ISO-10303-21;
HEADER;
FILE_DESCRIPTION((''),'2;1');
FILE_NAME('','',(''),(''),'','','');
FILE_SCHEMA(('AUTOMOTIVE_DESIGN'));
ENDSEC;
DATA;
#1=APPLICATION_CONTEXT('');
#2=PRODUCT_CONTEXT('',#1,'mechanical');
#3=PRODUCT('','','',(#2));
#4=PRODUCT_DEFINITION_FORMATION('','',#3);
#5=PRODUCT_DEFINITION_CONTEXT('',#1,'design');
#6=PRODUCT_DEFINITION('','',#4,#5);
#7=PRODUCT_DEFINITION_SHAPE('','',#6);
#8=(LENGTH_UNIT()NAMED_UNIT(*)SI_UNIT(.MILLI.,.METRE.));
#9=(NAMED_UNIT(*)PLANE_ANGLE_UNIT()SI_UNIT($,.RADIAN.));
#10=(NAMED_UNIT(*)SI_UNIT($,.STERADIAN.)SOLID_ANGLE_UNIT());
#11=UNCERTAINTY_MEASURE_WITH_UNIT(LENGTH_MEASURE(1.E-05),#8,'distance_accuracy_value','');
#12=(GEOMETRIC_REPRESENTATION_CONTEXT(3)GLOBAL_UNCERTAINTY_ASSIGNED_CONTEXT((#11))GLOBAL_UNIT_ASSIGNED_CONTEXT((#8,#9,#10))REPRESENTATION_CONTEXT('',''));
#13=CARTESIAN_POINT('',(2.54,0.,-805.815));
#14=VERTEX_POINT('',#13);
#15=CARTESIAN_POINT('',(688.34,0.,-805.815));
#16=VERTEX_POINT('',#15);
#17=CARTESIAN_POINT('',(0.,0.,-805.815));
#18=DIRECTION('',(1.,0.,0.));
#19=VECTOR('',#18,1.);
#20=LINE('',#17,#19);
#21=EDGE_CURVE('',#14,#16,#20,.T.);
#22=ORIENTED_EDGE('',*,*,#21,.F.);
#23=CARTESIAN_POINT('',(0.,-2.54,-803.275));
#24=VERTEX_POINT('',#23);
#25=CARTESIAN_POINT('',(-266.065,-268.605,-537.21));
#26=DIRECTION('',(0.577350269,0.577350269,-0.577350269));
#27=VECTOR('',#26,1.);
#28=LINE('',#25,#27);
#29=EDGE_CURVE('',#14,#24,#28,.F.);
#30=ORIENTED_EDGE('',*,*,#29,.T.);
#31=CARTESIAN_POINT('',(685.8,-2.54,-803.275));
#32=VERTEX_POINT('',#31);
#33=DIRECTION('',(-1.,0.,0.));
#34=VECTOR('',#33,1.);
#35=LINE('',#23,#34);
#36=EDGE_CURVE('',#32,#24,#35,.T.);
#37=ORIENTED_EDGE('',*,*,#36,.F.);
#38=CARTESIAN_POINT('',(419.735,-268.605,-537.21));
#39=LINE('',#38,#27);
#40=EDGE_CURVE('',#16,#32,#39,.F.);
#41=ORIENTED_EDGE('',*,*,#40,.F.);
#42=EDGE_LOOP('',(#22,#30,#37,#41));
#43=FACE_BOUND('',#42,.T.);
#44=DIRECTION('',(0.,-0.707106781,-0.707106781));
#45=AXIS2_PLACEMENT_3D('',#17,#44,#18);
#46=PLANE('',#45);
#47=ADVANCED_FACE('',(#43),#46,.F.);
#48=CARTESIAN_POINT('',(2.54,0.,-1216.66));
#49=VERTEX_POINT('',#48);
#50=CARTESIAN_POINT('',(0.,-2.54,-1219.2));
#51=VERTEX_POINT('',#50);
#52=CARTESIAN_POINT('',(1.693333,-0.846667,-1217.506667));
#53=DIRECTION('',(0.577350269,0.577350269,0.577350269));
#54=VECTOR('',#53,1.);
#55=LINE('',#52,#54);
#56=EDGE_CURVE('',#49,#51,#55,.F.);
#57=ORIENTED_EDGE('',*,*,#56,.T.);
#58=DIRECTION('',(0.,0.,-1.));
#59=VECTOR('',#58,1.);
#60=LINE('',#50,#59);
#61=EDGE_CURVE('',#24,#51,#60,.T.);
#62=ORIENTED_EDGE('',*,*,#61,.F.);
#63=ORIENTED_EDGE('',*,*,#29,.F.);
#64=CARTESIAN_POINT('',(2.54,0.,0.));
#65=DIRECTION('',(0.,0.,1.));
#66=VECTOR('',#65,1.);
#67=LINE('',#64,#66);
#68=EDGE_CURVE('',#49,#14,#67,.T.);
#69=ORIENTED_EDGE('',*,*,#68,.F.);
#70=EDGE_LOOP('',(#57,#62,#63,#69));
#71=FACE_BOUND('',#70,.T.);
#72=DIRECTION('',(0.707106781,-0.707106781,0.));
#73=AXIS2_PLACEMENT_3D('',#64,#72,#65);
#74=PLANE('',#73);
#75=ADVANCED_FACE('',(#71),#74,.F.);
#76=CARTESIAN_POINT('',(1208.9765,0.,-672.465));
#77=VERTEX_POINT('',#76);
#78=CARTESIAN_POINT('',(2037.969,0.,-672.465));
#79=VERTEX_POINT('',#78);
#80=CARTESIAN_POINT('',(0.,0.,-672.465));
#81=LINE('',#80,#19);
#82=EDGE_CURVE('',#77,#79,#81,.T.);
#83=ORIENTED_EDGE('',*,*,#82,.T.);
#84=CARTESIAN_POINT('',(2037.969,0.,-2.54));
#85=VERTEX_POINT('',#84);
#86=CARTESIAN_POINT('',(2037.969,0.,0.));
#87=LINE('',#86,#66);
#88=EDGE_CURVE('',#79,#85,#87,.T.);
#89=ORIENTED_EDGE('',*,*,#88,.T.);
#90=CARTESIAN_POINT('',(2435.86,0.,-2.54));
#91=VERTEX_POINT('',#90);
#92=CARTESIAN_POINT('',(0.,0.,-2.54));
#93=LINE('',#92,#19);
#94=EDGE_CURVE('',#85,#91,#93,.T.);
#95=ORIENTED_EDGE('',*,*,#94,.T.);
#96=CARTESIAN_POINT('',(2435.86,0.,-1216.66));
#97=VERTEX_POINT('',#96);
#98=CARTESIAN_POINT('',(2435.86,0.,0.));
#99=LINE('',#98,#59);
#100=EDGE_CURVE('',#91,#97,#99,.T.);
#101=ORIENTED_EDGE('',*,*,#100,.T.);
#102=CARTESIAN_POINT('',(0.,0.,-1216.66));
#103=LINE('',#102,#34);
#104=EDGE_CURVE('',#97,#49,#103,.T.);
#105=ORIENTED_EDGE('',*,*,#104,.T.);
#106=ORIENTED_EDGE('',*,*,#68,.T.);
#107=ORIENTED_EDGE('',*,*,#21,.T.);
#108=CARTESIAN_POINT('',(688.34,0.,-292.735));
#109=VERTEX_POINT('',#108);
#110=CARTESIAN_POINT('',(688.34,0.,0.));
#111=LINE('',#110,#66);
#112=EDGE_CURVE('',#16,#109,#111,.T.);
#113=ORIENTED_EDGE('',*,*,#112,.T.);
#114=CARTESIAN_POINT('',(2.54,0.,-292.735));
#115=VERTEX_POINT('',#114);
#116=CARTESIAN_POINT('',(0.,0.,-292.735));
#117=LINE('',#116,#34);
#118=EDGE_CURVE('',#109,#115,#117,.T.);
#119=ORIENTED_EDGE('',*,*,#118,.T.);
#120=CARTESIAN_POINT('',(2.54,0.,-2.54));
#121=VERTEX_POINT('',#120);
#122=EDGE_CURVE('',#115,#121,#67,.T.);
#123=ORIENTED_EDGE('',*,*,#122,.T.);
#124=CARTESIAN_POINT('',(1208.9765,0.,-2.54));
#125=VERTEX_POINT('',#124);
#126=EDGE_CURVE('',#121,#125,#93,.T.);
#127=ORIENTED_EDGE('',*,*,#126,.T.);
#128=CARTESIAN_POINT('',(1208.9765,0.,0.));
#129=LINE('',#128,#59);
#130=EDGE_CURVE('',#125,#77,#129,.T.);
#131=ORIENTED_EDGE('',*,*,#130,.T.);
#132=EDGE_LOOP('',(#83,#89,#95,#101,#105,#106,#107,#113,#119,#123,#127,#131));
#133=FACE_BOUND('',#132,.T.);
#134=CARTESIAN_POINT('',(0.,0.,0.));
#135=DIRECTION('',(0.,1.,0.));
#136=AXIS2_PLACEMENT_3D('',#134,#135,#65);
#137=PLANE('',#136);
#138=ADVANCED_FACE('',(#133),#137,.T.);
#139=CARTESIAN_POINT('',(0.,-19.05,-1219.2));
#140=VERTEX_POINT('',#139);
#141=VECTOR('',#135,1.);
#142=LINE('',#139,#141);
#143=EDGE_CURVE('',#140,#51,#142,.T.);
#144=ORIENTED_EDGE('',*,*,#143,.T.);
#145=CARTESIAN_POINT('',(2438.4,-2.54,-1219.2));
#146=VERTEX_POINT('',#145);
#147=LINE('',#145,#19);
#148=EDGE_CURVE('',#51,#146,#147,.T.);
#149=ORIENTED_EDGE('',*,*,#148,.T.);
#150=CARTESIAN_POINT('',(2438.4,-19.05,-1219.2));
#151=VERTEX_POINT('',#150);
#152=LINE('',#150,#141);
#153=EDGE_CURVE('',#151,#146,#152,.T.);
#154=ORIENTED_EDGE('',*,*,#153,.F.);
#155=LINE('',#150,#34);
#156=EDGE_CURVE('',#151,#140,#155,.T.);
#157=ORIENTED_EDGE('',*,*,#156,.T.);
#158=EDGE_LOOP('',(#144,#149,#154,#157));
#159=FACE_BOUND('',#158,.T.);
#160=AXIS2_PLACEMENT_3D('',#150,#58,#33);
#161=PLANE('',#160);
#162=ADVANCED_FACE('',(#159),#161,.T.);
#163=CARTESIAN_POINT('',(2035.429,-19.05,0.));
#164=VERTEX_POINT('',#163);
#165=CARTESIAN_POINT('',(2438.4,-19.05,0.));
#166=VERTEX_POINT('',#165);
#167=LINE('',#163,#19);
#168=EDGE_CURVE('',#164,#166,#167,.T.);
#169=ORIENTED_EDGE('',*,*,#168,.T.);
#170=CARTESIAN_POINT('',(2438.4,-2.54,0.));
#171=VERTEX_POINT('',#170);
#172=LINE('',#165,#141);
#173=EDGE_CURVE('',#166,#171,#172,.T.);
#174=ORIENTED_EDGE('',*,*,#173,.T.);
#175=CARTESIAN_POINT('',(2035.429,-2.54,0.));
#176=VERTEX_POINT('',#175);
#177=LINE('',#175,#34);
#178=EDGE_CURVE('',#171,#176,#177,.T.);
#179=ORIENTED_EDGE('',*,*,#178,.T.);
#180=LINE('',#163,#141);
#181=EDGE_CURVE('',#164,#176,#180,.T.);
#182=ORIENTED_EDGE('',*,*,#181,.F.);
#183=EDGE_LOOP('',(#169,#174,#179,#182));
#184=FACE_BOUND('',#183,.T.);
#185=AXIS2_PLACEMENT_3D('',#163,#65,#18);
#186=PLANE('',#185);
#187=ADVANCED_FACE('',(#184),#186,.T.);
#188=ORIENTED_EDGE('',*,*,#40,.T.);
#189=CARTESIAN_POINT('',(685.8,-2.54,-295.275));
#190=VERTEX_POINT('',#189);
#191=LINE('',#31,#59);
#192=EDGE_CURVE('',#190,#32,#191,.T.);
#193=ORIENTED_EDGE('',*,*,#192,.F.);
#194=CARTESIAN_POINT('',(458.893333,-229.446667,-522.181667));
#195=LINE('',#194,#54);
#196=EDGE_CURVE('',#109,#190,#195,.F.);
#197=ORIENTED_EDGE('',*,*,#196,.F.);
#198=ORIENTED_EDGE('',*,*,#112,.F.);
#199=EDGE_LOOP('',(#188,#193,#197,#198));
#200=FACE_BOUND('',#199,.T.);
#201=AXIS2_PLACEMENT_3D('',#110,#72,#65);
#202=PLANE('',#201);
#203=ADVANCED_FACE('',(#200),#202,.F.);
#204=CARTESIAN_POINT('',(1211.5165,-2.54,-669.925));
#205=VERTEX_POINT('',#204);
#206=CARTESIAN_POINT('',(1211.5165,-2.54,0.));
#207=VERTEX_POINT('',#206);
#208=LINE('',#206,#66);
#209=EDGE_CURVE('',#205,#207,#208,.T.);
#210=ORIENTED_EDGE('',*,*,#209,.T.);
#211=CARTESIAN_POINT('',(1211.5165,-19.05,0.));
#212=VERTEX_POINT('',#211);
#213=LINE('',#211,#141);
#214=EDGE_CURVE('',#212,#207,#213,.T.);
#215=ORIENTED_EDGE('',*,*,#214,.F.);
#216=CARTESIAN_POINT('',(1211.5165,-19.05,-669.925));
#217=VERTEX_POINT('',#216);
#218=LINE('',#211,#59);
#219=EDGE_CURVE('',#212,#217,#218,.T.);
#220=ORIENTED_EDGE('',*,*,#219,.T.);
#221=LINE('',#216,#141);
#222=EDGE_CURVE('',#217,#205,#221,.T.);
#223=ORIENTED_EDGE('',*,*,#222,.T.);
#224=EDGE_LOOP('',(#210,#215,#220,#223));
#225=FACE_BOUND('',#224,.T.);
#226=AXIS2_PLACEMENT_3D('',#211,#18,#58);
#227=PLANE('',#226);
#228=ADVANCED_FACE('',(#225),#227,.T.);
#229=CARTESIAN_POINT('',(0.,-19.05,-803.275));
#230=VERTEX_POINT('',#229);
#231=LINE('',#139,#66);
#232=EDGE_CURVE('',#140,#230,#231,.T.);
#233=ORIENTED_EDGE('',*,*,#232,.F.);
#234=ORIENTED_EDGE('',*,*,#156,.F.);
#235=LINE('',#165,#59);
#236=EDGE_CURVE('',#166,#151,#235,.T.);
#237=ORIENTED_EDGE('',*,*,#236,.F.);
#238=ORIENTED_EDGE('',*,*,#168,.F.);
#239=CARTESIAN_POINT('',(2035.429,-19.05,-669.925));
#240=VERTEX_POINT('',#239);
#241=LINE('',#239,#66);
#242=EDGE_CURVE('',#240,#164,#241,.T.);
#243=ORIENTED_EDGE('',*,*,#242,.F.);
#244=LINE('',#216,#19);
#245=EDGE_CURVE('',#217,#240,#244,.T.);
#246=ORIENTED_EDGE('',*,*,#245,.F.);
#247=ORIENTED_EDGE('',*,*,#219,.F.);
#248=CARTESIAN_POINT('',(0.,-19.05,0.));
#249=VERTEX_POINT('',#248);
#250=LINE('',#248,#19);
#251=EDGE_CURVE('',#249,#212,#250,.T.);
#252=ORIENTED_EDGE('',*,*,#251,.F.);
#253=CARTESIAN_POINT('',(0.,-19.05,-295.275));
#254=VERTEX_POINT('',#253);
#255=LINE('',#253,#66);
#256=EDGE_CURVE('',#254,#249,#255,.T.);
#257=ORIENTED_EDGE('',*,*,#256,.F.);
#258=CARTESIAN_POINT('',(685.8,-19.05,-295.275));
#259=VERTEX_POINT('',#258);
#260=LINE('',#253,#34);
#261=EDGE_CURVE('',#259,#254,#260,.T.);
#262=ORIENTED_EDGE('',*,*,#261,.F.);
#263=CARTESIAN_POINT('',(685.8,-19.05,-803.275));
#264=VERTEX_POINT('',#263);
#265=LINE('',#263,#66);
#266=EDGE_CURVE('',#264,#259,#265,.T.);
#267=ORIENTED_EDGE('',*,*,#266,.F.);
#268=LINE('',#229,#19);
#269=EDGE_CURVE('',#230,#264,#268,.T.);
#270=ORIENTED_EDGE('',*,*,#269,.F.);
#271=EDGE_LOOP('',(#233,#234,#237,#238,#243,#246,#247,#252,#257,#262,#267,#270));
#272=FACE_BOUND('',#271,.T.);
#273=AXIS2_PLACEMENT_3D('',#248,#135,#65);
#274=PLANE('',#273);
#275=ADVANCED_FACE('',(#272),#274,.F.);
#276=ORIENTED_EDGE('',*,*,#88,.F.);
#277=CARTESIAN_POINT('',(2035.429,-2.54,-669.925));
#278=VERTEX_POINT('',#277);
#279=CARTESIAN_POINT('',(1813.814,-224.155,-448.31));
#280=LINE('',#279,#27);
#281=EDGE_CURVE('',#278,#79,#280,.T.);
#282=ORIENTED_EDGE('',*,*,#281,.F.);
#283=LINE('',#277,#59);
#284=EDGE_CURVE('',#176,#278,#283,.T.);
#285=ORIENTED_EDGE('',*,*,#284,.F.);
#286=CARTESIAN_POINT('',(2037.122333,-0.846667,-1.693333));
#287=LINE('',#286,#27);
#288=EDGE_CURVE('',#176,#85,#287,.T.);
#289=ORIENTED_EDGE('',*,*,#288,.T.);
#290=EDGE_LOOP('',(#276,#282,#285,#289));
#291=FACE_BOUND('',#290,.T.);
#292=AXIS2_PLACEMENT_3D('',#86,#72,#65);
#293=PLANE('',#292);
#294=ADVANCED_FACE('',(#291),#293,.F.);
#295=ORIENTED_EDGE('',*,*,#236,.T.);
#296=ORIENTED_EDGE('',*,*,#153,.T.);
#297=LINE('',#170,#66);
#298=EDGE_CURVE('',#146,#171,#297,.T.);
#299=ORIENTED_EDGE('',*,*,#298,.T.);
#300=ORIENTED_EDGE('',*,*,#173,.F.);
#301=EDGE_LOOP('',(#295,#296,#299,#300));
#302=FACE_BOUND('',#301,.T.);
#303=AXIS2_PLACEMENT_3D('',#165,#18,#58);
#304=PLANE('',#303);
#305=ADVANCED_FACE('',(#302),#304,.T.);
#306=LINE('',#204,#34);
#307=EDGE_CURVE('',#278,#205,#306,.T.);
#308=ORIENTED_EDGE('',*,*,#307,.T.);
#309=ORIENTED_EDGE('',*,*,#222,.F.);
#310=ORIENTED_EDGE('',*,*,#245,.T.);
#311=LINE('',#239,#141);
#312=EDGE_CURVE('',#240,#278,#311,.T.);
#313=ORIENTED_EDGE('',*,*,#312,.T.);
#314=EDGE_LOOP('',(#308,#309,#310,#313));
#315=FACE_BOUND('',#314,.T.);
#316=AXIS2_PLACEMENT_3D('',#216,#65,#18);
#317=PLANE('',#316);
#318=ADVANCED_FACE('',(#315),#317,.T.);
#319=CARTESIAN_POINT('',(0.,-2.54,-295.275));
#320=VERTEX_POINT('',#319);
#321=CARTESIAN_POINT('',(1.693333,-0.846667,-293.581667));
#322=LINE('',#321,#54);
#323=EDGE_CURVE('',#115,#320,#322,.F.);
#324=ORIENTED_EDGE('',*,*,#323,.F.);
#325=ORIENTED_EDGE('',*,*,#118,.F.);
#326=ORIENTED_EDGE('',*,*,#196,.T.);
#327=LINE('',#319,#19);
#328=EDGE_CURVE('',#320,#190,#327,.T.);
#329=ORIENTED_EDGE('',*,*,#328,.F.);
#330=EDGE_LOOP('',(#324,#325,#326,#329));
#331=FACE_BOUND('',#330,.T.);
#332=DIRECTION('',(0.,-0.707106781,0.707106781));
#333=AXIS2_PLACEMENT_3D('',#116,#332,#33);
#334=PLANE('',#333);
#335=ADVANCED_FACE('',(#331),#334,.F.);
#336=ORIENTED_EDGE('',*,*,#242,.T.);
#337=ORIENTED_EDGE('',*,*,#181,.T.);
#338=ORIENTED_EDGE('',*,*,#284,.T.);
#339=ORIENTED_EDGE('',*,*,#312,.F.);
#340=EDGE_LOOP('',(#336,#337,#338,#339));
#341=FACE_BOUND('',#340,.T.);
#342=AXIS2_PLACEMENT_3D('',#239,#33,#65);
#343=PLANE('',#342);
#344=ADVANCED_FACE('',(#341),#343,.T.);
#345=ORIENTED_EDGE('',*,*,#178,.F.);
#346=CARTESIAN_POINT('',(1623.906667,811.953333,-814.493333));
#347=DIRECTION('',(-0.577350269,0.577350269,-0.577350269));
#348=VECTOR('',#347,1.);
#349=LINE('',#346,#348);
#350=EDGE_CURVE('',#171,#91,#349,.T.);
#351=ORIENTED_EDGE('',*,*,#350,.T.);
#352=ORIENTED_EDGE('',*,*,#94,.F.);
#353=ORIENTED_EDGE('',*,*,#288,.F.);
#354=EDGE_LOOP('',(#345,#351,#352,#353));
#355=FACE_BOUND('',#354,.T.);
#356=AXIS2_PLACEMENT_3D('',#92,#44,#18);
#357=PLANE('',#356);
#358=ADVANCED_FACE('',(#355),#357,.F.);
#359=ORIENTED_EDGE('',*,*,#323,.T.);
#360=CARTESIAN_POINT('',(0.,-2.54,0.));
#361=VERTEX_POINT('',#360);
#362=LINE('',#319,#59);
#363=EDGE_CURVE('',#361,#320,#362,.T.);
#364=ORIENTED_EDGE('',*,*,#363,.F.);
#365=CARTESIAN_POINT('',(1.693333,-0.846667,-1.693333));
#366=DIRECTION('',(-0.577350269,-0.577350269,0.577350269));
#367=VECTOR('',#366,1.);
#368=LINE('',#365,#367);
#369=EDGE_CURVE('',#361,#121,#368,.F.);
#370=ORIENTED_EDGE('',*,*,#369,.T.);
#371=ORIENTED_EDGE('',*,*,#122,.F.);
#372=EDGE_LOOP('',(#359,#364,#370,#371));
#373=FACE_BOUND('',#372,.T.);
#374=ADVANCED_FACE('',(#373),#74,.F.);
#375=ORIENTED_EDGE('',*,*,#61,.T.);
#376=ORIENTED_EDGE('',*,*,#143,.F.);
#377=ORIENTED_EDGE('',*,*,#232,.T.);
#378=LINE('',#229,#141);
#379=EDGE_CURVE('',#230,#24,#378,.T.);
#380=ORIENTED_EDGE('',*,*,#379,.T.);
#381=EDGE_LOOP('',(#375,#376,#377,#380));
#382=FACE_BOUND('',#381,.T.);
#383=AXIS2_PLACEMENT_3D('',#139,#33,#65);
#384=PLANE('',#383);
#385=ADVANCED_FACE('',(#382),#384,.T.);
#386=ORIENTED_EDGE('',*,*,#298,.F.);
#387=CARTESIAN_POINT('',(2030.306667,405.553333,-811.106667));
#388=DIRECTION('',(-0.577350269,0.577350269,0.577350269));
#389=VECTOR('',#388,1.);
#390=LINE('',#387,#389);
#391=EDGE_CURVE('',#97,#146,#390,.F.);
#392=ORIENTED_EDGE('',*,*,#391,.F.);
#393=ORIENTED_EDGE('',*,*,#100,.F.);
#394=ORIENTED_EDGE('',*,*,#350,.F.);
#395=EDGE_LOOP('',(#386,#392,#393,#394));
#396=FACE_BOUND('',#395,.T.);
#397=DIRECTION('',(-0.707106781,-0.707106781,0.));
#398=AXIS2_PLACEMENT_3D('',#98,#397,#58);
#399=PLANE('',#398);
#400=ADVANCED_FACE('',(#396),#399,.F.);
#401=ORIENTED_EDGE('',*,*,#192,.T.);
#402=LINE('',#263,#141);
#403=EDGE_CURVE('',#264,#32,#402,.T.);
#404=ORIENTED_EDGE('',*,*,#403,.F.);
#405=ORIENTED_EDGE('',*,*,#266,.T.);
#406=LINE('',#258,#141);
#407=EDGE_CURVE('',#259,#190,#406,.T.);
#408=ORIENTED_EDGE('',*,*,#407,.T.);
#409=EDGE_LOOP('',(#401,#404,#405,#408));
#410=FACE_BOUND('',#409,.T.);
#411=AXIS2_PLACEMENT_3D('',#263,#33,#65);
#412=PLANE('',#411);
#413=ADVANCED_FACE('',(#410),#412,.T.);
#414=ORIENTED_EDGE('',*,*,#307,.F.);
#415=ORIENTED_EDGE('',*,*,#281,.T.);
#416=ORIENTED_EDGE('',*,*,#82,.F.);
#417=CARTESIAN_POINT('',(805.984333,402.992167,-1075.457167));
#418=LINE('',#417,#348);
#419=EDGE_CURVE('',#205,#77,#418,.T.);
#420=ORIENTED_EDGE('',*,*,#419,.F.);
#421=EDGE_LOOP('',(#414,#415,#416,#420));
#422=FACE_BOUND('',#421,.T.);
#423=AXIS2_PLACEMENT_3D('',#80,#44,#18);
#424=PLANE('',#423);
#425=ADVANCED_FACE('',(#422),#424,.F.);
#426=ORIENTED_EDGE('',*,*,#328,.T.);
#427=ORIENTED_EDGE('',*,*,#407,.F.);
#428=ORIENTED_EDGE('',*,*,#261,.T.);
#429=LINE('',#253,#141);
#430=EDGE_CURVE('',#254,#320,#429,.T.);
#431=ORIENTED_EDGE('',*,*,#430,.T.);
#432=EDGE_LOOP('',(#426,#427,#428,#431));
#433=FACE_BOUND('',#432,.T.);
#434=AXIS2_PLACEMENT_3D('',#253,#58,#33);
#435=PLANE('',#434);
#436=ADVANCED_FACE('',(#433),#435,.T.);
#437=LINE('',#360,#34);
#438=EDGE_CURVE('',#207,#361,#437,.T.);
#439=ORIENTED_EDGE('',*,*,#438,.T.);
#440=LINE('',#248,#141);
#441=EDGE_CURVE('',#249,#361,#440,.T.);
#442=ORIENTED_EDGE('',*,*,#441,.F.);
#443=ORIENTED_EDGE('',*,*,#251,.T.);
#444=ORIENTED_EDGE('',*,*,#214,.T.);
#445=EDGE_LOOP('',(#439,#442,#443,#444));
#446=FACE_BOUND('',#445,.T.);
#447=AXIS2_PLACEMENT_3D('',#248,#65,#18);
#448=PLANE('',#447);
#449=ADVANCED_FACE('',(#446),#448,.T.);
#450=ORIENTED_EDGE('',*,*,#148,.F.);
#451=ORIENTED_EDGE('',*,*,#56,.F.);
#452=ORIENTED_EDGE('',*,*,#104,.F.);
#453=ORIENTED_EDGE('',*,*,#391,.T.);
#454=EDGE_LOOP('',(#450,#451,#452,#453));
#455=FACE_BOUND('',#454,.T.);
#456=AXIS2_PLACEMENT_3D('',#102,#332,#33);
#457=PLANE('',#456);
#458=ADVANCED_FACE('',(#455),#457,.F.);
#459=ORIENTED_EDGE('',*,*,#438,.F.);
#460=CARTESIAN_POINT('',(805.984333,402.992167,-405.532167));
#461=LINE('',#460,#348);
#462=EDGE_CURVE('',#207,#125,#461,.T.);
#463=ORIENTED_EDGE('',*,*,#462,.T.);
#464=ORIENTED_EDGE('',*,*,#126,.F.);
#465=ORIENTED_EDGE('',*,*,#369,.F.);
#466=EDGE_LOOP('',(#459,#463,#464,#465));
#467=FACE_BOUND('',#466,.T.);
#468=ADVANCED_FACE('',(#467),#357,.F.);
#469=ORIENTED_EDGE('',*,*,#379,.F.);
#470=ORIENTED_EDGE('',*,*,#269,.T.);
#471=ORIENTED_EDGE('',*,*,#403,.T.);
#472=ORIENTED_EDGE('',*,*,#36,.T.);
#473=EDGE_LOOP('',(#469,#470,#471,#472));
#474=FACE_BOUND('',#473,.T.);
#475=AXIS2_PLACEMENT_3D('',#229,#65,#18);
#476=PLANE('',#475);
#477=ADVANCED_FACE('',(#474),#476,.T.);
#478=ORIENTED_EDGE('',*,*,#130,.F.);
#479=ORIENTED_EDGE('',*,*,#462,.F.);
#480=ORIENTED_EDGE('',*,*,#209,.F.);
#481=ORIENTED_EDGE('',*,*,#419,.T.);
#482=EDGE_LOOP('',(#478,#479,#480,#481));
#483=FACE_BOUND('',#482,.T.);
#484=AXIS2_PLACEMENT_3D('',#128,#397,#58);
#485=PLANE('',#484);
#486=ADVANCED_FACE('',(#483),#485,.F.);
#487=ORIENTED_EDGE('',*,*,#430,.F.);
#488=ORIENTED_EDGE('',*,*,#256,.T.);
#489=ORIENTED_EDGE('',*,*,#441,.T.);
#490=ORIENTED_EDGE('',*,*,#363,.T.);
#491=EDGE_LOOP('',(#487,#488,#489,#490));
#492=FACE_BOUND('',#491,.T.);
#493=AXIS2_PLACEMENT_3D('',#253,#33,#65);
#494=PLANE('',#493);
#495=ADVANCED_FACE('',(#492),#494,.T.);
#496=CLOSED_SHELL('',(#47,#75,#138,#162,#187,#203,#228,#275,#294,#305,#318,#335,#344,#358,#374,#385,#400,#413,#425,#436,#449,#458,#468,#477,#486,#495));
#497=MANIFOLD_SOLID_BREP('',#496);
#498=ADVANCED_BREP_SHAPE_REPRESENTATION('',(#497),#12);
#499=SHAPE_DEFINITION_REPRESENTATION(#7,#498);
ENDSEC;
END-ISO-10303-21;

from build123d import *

# Parameters (mm, degrees)
BOSS_EXTRUDE1_DEPTH = 19.05
CHAMFER1_SIZE       = 2.54


with BuildPart() as part:
    # Sketch1 → Boss-Extrude1 (new body)
    with BuildSketch(Plane(origin=(0, 0, 0), x_dir=(1, 0, 0), z_dir=(0, 1, 0))):
        Polygon((1211.5165, 0), (1211.5165, 669.925), (2035.429, 669.925), (2035.429, 0), (2438.4, 0), (2438.4, 1219.2), (0, 1219.2), (0, 803.275), (685.8, 803.275), (685.8, 295.275), (0, 295.275), (0, 0), align=None)
    extrude(amount=-BOSS_EXTRUDE1_DEPTH)

    # Chamfer1
    chamfer1_edges = [part.edges().sort_by_distance(p)[0] for p in [
        (0, 0, -147.6375),
        (342.9, 0, -295.275),
        (685.8, 0, -549.275),
        (342.9, 0, -803.275),
        (0, 0, -1011.2375),
        (1219.2, 0, -1219.2),
        (2438.4, 0, -609.6),
        (2236.9145, 0, 0),
        (2035.429, 0, -334.9625),
        (1623.47275, 0, -669.925),
        (1211.5165, 0, -334.9625),
        (605.75825, 0, 0),
    ]]
    chamfer(chamfer1_edges, length=CHAMFER1_SIZE)


solid = part.part
